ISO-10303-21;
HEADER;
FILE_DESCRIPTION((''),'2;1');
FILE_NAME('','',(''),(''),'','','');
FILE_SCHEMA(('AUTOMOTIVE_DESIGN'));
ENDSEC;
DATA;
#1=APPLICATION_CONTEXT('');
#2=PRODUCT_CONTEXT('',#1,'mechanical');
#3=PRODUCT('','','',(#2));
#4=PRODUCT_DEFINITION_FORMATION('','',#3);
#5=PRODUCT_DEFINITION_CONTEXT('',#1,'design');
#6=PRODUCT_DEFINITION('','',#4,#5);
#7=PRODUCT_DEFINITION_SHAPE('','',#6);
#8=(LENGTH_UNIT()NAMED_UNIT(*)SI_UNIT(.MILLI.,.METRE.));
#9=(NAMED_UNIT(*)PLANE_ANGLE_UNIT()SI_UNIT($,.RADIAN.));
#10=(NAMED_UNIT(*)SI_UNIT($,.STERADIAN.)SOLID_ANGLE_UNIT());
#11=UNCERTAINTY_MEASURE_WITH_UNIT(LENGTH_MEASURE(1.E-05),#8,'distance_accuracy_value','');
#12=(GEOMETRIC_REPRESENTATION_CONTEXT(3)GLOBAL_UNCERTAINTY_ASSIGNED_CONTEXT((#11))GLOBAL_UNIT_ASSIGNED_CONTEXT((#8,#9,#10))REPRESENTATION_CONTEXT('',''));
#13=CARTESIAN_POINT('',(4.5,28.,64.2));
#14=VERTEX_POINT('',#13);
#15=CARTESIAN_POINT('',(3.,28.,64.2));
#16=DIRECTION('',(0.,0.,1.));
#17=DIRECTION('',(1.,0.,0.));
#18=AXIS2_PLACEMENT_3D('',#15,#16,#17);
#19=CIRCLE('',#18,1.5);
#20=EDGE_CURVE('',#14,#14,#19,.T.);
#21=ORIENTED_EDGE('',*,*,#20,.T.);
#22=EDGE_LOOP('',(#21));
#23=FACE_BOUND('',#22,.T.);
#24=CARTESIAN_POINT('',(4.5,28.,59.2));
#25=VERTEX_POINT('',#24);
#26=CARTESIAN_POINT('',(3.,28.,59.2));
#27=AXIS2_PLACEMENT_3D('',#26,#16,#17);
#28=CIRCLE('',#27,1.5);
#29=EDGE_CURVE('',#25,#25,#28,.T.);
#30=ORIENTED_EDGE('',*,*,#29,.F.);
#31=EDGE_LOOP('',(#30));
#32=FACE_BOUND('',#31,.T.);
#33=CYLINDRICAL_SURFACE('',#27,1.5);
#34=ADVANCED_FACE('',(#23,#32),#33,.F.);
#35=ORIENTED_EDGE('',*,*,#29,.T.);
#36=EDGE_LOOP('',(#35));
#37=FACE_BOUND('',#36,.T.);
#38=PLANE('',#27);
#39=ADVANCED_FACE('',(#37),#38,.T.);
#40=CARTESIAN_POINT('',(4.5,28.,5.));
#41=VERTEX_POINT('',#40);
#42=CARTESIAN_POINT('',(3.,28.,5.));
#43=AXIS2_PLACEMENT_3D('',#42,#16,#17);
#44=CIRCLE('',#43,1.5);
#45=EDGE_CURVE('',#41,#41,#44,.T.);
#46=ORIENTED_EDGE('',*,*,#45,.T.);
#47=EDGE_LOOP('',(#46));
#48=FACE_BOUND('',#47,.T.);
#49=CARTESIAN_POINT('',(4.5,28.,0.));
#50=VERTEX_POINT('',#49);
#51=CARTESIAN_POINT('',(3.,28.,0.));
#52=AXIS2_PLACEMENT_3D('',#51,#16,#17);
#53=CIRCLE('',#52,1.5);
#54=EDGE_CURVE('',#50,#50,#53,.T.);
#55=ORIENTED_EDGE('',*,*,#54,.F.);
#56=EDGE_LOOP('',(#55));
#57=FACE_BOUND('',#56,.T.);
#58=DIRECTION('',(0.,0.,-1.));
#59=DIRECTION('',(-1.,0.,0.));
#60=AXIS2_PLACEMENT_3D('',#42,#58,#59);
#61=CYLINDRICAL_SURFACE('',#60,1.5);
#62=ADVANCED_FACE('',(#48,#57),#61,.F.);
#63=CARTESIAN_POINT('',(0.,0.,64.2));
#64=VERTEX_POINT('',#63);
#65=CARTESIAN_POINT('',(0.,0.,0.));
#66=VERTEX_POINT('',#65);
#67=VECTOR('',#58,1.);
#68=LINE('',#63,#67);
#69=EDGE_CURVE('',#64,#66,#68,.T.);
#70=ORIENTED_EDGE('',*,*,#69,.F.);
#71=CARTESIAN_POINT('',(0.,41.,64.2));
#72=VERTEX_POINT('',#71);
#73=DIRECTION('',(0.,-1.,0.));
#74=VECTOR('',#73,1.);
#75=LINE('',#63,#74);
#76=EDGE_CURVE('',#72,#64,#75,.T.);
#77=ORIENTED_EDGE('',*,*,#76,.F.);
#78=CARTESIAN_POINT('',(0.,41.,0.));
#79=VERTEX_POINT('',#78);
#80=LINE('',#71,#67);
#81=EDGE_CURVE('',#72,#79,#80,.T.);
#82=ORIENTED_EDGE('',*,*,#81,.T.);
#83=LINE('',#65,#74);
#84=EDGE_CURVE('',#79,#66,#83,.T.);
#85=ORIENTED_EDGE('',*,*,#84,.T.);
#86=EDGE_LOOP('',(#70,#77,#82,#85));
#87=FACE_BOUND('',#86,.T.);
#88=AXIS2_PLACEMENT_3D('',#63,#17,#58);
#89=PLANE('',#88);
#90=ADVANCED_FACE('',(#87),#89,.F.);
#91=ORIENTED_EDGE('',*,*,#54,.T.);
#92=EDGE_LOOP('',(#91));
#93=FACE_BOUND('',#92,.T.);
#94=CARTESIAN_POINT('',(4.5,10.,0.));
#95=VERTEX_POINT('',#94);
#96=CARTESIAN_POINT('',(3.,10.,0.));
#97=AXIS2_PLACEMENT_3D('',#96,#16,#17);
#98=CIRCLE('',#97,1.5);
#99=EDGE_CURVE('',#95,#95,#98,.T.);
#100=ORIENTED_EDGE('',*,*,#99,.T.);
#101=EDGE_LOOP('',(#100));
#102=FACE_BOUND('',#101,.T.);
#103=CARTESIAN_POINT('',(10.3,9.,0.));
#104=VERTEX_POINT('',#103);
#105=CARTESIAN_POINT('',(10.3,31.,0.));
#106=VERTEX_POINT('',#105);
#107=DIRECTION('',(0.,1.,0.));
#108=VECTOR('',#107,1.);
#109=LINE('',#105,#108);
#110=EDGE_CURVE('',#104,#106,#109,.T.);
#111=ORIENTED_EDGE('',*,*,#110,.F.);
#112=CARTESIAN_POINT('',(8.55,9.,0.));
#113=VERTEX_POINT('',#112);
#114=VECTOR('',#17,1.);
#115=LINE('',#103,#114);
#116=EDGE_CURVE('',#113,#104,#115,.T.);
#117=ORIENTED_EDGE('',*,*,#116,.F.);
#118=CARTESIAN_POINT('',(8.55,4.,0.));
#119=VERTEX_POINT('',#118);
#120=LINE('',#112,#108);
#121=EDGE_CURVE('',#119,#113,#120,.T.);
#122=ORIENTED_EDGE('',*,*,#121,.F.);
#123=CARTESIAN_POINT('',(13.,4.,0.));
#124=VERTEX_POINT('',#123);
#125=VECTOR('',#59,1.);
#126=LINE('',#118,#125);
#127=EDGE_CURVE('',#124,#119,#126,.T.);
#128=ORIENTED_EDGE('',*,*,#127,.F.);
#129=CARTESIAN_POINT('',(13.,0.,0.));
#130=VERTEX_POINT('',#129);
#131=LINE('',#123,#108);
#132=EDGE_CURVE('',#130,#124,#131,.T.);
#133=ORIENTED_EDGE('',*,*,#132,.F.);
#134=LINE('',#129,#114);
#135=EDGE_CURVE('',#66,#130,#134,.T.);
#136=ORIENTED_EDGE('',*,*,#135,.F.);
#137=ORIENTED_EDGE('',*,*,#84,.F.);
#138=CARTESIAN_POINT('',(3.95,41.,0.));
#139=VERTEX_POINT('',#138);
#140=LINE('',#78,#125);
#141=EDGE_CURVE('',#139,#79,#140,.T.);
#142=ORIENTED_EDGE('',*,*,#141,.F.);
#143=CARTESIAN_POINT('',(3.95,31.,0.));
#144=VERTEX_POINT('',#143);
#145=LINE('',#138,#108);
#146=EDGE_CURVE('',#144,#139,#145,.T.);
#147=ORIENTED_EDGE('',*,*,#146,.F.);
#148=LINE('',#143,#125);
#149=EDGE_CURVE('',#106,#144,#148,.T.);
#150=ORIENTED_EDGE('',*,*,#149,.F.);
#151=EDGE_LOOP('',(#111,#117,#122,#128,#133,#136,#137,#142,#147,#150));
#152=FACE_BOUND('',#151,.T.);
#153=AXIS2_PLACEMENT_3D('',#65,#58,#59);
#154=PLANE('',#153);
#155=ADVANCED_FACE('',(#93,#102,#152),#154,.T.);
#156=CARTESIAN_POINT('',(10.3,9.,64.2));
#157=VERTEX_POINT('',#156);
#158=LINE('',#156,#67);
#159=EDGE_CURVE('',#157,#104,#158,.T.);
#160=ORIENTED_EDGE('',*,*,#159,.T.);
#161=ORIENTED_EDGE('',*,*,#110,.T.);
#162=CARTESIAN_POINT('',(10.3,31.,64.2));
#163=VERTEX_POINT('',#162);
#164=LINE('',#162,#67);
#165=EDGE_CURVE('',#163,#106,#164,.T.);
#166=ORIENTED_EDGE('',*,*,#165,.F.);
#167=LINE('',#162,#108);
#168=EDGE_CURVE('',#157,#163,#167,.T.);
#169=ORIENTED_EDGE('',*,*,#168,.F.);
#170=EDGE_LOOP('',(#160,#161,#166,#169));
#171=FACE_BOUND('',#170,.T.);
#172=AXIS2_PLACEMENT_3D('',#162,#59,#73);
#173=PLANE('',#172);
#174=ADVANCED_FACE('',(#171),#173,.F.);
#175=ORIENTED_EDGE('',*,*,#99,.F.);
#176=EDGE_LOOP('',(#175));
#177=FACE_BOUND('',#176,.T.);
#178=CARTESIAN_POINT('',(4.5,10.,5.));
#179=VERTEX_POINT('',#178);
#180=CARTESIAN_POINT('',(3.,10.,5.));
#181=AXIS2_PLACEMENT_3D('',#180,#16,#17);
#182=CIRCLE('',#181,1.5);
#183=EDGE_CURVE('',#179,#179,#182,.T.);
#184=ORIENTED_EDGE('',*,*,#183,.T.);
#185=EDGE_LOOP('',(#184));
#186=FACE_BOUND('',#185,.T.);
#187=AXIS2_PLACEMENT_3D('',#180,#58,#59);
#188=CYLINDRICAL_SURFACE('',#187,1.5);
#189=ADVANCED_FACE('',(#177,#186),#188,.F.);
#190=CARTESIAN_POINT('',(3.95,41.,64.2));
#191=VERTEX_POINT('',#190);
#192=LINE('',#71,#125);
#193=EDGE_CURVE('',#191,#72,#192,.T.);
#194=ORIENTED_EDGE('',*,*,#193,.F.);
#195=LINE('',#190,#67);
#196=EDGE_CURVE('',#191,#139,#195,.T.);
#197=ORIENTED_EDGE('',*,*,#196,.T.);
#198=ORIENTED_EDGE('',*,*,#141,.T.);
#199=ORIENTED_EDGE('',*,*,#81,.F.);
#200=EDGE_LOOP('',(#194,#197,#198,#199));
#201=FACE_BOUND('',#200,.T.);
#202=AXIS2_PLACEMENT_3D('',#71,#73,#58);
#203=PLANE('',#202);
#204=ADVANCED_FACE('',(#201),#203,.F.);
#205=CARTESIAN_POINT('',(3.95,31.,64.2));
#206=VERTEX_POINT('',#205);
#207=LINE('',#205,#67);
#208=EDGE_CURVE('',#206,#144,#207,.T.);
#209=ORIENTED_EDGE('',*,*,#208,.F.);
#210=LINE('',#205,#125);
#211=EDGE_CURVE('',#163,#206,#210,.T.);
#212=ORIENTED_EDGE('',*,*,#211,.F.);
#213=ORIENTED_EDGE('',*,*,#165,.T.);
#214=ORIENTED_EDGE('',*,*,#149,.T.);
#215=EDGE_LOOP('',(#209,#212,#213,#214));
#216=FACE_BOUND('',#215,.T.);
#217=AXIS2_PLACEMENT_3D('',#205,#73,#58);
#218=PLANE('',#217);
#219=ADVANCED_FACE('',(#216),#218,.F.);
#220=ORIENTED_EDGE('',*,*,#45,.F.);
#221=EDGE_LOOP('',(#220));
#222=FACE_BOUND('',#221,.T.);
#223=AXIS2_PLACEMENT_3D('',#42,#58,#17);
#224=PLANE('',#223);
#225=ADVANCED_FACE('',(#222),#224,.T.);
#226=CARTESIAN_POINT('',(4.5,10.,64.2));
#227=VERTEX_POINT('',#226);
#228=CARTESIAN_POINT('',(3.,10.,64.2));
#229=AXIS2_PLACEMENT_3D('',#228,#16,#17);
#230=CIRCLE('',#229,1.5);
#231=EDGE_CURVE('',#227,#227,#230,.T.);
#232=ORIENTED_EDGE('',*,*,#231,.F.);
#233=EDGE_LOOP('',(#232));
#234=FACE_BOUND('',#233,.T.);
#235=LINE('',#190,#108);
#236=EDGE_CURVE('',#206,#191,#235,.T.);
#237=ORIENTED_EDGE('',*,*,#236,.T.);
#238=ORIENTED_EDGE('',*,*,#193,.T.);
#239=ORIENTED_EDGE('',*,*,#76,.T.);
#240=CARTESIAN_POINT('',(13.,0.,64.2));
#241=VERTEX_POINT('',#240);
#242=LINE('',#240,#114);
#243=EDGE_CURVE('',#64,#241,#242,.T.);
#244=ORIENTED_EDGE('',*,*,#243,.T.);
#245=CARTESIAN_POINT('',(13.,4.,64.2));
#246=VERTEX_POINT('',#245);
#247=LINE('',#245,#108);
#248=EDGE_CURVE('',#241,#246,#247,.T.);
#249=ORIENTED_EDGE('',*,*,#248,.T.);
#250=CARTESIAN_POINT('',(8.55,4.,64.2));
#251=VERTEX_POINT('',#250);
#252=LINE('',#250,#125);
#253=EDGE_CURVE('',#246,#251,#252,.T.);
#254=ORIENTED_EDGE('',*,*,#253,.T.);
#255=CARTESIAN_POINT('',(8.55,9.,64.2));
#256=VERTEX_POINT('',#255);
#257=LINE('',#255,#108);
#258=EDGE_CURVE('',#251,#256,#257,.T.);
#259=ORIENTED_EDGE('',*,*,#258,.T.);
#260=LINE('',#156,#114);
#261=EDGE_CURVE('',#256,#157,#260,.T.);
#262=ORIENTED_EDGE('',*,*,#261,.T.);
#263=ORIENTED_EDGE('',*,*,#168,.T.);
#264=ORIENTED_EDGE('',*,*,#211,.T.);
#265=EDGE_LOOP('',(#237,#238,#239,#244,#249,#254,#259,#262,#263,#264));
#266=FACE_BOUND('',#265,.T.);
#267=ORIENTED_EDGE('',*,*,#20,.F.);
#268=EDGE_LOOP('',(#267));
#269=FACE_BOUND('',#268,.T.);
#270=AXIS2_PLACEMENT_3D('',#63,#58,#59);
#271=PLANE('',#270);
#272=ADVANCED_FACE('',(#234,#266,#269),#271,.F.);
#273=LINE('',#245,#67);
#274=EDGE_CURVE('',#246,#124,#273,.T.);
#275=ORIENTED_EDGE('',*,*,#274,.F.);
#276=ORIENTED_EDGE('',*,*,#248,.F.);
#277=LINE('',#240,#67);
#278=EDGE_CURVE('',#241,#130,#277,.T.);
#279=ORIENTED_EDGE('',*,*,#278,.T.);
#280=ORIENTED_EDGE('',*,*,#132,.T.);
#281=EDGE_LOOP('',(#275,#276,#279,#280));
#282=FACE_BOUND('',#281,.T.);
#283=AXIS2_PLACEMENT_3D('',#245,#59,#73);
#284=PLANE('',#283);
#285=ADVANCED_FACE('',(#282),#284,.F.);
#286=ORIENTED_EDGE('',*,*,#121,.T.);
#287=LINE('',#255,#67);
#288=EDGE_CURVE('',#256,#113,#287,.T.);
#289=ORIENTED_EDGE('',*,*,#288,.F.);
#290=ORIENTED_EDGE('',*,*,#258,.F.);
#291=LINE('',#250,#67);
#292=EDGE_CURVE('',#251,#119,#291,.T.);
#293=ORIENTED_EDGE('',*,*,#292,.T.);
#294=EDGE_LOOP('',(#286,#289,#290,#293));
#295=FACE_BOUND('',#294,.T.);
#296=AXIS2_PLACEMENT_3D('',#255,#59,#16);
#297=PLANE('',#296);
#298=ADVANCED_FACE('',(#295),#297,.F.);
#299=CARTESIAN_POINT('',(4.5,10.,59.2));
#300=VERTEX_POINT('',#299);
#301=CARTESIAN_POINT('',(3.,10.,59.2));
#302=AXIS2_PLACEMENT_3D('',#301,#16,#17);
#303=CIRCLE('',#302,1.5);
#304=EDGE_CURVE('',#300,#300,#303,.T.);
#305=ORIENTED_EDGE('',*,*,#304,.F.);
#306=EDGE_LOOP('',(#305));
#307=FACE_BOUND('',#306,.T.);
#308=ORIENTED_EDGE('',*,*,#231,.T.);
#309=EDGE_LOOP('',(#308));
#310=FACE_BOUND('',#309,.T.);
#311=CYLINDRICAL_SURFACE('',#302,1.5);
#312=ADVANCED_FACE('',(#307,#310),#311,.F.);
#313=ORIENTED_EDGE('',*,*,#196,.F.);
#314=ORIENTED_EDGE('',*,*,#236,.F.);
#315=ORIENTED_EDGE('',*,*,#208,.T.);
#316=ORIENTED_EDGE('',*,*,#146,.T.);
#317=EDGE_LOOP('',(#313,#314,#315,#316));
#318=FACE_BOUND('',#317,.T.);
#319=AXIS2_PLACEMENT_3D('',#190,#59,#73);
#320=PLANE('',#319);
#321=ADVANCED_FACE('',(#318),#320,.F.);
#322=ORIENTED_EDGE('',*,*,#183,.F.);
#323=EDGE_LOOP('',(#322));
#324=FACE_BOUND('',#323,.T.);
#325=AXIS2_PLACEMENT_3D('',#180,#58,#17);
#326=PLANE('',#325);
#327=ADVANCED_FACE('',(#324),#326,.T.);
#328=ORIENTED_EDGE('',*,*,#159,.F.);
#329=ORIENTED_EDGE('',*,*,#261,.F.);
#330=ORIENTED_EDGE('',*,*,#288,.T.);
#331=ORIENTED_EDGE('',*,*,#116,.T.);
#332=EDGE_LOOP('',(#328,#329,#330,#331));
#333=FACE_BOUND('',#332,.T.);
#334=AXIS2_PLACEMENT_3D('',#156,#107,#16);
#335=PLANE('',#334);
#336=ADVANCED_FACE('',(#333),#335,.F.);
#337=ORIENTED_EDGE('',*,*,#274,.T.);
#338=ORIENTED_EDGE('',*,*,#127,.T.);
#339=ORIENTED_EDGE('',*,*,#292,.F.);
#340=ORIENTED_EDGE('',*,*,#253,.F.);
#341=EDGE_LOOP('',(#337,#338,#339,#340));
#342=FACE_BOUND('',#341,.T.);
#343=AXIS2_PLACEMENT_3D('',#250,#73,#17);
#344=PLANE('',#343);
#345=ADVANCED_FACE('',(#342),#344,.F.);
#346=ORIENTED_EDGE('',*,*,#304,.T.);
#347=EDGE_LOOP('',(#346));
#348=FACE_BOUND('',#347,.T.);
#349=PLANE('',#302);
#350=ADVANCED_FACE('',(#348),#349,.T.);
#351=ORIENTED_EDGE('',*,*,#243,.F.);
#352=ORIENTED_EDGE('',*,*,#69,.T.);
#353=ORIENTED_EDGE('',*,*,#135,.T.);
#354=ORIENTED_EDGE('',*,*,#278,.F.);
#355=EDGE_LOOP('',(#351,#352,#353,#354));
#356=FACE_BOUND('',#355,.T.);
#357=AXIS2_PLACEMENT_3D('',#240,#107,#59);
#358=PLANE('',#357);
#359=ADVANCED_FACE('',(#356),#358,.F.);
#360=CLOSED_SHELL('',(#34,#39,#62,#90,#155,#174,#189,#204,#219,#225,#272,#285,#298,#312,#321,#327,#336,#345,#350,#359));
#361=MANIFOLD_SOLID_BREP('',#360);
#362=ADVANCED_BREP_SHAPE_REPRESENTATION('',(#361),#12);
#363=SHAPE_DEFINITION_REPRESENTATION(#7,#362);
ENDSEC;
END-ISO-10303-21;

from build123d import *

# Parameters (mm, degrees)
BOSS_EXTRUDE1_DEPTH = 64.2
SKETCH2_R           = 1.5
CUT_EXTRUDE1_DEPTH  = 5


with BuildPart() as part:
    # Sketch1 → Boss-Extrude1 (new body)
    with BuildSketch(Plane.XY):
        Polygon((0, 0), (0, 41), (3.95, 41), (3.95, 31), (10.3, 31), (10.3, 9), (8.55, 9), (8.55, 4), (13, 4), (13, 0), align=None)
    extrude(amount=BOSS_EXTRUDE1_DEPTH)

    # Sketch2 → Cut-Extrude1 (cut)
    with BuildSketch(Plane.XY.offset(64.2)):
        with Locations((3, 28)):
            Circle(SKETCH2_R)
        with Locations((3, 10)):
            Circle(SKETCH2_R)
    cut_extrude1 = extrude(amount=-CUT_EXTRUDE1_DEPTH, mode=Mode.SUBTRACT)

    # Mirror1: Cut-Extrude1 across plane
    add(cut_extrude1.mirror(Plane.XY.offset(32.1)), mode=Mode.SUBTRACT)


solid = part.part
